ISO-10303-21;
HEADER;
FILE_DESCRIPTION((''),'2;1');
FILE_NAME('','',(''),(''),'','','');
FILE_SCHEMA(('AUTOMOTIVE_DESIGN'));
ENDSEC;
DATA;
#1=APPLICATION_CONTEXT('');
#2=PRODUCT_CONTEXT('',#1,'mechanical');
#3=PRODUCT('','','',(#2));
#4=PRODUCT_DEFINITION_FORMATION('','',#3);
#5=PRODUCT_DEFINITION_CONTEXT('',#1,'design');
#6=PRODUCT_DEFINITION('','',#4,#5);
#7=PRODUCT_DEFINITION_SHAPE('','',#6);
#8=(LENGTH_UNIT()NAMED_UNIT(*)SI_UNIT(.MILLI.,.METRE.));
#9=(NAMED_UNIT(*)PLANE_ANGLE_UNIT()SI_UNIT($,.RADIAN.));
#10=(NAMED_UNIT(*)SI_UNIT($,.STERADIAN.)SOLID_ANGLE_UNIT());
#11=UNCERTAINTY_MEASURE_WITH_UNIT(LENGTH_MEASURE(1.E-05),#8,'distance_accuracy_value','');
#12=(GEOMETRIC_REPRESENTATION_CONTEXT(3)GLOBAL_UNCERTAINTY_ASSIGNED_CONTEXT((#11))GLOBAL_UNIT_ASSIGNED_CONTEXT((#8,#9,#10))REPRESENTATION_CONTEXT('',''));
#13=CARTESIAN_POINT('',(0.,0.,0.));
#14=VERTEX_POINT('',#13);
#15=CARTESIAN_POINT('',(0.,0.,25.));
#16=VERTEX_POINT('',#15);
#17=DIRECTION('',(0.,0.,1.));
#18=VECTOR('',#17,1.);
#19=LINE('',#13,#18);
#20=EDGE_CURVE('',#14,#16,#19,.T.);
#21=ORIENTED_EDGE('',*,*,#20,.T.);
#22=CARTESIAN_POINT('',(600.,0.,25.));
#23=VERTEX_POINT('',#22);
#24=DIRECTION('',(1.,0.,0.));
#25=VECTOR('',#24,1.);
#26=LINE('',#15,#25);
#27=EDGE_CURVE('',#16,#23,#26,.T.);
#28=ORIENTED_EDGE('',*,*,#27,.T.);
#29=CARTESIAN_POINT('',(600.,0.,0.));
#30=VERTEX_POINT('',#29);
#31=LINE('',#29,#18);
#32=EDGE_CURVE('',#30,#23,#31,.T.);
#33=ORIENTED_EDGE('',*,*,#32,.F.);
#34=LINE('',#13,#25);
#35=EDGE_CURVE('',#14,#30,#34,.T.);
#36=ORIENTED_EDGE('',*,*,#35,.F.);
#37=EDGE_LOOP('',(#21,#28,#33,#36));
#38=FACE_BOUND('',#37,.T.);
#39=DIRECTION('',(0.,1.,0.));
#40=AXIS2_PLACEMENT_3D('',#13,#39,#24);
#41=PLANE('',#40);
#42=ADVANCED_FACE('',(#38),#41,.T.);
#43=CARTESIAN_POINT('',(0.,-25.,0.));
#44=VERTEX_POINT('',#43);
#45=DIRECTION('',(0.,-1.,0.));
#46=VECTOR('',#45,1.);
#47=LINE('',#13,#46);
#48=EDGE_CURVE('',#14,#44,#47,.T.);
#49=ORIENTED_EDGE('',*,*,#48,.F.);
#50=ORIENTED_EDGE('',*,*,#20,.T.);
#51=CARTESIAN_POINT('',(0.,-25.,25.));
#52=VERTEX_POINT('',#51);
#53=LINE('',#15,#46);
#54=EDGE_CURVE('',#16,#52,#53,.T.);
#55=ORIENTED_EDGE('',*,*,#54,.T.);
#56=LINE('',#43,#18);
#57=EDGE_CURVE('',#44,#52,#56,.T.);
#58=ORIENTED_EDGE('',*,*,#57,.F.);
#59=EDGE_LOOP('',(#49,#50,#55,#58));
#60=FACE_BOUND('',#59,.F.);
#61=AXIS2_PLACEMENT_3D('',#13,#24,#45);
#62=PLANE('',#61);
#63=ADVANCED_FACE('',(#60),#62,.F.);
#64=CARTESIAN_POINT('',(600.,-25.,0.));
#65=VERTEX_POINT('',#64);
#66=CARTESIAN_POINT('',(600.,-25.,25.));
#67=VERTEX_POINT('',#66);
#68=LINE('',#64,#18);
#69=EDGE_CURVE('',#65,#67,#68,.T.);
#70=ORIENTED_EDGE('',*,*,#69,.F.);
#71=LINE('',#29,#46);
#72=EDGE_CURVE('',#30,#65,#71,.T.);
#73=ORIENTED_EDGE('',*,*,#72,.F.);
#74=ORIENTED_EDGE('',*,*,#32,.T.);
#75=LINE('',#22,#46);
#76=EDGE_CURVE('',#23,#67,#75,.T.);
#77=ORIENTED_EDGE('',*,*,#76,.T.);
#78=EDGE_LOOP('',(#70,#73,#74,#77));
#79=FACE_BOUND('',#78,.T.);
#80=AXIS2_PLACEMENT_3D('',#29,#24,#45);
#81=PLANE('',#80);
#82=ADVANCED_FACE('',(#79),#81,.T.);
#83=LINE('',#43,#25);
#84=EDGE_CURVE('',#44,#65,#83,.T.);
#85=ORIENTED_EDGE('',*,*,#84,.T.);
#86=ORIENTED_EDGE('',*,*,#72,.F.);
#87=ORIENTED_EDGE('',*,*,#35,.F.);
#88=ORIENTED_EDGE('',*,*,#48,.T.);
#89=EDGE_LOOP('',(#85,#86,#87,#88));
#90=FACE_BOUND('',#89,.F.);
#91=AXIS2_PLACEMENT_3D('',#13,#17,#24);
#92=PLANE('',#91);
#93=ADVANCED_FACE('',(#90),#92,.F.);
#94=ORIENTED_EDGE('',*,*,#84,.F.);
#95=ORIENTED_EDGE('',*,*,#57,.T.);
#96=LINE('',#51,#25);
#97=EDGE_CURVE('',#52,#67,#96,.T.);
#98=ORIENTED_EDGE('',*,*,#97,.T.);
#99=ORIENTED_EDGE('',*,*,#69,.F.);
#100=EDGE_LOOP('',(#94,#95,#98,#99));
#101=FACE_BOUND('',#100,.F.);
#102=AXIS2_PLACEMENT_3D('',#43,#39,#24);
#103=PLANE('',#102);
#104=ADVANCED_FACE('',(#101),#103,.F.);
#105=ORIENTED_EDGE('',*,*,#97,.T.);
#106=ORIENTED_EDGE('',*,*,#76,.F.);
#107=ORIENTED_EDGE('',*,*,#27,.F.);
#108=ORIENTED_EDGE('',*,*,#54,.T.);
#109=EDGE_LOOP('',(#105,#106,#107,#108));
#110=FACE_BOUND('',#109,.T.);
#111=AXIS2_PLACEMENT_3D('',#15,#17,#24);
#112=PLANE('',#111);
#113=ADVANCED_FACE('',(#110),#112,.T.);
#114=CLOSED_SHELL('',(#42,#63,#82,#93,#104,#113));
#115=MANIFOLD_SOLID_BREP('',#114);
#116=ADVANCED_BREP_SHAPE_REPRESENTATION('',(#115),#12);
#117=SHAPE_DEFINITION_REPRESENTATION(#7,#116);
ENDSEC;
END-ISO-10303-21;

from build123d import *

# Parameters (mm, degrees)
F0_W     = 43.3424860239
F0_H     = 30.723374337
F1_DEPTH = 600
F2_DEPTH = 25
F3_DEPTH = 25


with BuildPart() as f1:
    # F0 (on Right) → F1 (new body)
    with BuildSketch(Plane.YZ):
        with Locations((-21.671243012, 15.3616871685)):
            Rectangle(F0_W, F0_H)
    extrude(amount=F1_DEPTH)

    # F2 (intersect): a face of the model
    f2_faces = [f1.faces().sort_by_distance(p)[0] for p in [
        (300, 0, 15.3616871685),
    ]]
    extrude(f2_faces, amount=-F2_DEPTH, mode=Mode.INTERSECT)

    # F3 (intersect): a face of the model
    f3_faces = [f1.faces().sort_by_distance(p)[0] for p in [
        (300, -12.5, 0),
    ]]
    extrude(f3_faces, amount=-F3_DEPTH, mode=Mode.INTERSECT)


solid = f1.part
